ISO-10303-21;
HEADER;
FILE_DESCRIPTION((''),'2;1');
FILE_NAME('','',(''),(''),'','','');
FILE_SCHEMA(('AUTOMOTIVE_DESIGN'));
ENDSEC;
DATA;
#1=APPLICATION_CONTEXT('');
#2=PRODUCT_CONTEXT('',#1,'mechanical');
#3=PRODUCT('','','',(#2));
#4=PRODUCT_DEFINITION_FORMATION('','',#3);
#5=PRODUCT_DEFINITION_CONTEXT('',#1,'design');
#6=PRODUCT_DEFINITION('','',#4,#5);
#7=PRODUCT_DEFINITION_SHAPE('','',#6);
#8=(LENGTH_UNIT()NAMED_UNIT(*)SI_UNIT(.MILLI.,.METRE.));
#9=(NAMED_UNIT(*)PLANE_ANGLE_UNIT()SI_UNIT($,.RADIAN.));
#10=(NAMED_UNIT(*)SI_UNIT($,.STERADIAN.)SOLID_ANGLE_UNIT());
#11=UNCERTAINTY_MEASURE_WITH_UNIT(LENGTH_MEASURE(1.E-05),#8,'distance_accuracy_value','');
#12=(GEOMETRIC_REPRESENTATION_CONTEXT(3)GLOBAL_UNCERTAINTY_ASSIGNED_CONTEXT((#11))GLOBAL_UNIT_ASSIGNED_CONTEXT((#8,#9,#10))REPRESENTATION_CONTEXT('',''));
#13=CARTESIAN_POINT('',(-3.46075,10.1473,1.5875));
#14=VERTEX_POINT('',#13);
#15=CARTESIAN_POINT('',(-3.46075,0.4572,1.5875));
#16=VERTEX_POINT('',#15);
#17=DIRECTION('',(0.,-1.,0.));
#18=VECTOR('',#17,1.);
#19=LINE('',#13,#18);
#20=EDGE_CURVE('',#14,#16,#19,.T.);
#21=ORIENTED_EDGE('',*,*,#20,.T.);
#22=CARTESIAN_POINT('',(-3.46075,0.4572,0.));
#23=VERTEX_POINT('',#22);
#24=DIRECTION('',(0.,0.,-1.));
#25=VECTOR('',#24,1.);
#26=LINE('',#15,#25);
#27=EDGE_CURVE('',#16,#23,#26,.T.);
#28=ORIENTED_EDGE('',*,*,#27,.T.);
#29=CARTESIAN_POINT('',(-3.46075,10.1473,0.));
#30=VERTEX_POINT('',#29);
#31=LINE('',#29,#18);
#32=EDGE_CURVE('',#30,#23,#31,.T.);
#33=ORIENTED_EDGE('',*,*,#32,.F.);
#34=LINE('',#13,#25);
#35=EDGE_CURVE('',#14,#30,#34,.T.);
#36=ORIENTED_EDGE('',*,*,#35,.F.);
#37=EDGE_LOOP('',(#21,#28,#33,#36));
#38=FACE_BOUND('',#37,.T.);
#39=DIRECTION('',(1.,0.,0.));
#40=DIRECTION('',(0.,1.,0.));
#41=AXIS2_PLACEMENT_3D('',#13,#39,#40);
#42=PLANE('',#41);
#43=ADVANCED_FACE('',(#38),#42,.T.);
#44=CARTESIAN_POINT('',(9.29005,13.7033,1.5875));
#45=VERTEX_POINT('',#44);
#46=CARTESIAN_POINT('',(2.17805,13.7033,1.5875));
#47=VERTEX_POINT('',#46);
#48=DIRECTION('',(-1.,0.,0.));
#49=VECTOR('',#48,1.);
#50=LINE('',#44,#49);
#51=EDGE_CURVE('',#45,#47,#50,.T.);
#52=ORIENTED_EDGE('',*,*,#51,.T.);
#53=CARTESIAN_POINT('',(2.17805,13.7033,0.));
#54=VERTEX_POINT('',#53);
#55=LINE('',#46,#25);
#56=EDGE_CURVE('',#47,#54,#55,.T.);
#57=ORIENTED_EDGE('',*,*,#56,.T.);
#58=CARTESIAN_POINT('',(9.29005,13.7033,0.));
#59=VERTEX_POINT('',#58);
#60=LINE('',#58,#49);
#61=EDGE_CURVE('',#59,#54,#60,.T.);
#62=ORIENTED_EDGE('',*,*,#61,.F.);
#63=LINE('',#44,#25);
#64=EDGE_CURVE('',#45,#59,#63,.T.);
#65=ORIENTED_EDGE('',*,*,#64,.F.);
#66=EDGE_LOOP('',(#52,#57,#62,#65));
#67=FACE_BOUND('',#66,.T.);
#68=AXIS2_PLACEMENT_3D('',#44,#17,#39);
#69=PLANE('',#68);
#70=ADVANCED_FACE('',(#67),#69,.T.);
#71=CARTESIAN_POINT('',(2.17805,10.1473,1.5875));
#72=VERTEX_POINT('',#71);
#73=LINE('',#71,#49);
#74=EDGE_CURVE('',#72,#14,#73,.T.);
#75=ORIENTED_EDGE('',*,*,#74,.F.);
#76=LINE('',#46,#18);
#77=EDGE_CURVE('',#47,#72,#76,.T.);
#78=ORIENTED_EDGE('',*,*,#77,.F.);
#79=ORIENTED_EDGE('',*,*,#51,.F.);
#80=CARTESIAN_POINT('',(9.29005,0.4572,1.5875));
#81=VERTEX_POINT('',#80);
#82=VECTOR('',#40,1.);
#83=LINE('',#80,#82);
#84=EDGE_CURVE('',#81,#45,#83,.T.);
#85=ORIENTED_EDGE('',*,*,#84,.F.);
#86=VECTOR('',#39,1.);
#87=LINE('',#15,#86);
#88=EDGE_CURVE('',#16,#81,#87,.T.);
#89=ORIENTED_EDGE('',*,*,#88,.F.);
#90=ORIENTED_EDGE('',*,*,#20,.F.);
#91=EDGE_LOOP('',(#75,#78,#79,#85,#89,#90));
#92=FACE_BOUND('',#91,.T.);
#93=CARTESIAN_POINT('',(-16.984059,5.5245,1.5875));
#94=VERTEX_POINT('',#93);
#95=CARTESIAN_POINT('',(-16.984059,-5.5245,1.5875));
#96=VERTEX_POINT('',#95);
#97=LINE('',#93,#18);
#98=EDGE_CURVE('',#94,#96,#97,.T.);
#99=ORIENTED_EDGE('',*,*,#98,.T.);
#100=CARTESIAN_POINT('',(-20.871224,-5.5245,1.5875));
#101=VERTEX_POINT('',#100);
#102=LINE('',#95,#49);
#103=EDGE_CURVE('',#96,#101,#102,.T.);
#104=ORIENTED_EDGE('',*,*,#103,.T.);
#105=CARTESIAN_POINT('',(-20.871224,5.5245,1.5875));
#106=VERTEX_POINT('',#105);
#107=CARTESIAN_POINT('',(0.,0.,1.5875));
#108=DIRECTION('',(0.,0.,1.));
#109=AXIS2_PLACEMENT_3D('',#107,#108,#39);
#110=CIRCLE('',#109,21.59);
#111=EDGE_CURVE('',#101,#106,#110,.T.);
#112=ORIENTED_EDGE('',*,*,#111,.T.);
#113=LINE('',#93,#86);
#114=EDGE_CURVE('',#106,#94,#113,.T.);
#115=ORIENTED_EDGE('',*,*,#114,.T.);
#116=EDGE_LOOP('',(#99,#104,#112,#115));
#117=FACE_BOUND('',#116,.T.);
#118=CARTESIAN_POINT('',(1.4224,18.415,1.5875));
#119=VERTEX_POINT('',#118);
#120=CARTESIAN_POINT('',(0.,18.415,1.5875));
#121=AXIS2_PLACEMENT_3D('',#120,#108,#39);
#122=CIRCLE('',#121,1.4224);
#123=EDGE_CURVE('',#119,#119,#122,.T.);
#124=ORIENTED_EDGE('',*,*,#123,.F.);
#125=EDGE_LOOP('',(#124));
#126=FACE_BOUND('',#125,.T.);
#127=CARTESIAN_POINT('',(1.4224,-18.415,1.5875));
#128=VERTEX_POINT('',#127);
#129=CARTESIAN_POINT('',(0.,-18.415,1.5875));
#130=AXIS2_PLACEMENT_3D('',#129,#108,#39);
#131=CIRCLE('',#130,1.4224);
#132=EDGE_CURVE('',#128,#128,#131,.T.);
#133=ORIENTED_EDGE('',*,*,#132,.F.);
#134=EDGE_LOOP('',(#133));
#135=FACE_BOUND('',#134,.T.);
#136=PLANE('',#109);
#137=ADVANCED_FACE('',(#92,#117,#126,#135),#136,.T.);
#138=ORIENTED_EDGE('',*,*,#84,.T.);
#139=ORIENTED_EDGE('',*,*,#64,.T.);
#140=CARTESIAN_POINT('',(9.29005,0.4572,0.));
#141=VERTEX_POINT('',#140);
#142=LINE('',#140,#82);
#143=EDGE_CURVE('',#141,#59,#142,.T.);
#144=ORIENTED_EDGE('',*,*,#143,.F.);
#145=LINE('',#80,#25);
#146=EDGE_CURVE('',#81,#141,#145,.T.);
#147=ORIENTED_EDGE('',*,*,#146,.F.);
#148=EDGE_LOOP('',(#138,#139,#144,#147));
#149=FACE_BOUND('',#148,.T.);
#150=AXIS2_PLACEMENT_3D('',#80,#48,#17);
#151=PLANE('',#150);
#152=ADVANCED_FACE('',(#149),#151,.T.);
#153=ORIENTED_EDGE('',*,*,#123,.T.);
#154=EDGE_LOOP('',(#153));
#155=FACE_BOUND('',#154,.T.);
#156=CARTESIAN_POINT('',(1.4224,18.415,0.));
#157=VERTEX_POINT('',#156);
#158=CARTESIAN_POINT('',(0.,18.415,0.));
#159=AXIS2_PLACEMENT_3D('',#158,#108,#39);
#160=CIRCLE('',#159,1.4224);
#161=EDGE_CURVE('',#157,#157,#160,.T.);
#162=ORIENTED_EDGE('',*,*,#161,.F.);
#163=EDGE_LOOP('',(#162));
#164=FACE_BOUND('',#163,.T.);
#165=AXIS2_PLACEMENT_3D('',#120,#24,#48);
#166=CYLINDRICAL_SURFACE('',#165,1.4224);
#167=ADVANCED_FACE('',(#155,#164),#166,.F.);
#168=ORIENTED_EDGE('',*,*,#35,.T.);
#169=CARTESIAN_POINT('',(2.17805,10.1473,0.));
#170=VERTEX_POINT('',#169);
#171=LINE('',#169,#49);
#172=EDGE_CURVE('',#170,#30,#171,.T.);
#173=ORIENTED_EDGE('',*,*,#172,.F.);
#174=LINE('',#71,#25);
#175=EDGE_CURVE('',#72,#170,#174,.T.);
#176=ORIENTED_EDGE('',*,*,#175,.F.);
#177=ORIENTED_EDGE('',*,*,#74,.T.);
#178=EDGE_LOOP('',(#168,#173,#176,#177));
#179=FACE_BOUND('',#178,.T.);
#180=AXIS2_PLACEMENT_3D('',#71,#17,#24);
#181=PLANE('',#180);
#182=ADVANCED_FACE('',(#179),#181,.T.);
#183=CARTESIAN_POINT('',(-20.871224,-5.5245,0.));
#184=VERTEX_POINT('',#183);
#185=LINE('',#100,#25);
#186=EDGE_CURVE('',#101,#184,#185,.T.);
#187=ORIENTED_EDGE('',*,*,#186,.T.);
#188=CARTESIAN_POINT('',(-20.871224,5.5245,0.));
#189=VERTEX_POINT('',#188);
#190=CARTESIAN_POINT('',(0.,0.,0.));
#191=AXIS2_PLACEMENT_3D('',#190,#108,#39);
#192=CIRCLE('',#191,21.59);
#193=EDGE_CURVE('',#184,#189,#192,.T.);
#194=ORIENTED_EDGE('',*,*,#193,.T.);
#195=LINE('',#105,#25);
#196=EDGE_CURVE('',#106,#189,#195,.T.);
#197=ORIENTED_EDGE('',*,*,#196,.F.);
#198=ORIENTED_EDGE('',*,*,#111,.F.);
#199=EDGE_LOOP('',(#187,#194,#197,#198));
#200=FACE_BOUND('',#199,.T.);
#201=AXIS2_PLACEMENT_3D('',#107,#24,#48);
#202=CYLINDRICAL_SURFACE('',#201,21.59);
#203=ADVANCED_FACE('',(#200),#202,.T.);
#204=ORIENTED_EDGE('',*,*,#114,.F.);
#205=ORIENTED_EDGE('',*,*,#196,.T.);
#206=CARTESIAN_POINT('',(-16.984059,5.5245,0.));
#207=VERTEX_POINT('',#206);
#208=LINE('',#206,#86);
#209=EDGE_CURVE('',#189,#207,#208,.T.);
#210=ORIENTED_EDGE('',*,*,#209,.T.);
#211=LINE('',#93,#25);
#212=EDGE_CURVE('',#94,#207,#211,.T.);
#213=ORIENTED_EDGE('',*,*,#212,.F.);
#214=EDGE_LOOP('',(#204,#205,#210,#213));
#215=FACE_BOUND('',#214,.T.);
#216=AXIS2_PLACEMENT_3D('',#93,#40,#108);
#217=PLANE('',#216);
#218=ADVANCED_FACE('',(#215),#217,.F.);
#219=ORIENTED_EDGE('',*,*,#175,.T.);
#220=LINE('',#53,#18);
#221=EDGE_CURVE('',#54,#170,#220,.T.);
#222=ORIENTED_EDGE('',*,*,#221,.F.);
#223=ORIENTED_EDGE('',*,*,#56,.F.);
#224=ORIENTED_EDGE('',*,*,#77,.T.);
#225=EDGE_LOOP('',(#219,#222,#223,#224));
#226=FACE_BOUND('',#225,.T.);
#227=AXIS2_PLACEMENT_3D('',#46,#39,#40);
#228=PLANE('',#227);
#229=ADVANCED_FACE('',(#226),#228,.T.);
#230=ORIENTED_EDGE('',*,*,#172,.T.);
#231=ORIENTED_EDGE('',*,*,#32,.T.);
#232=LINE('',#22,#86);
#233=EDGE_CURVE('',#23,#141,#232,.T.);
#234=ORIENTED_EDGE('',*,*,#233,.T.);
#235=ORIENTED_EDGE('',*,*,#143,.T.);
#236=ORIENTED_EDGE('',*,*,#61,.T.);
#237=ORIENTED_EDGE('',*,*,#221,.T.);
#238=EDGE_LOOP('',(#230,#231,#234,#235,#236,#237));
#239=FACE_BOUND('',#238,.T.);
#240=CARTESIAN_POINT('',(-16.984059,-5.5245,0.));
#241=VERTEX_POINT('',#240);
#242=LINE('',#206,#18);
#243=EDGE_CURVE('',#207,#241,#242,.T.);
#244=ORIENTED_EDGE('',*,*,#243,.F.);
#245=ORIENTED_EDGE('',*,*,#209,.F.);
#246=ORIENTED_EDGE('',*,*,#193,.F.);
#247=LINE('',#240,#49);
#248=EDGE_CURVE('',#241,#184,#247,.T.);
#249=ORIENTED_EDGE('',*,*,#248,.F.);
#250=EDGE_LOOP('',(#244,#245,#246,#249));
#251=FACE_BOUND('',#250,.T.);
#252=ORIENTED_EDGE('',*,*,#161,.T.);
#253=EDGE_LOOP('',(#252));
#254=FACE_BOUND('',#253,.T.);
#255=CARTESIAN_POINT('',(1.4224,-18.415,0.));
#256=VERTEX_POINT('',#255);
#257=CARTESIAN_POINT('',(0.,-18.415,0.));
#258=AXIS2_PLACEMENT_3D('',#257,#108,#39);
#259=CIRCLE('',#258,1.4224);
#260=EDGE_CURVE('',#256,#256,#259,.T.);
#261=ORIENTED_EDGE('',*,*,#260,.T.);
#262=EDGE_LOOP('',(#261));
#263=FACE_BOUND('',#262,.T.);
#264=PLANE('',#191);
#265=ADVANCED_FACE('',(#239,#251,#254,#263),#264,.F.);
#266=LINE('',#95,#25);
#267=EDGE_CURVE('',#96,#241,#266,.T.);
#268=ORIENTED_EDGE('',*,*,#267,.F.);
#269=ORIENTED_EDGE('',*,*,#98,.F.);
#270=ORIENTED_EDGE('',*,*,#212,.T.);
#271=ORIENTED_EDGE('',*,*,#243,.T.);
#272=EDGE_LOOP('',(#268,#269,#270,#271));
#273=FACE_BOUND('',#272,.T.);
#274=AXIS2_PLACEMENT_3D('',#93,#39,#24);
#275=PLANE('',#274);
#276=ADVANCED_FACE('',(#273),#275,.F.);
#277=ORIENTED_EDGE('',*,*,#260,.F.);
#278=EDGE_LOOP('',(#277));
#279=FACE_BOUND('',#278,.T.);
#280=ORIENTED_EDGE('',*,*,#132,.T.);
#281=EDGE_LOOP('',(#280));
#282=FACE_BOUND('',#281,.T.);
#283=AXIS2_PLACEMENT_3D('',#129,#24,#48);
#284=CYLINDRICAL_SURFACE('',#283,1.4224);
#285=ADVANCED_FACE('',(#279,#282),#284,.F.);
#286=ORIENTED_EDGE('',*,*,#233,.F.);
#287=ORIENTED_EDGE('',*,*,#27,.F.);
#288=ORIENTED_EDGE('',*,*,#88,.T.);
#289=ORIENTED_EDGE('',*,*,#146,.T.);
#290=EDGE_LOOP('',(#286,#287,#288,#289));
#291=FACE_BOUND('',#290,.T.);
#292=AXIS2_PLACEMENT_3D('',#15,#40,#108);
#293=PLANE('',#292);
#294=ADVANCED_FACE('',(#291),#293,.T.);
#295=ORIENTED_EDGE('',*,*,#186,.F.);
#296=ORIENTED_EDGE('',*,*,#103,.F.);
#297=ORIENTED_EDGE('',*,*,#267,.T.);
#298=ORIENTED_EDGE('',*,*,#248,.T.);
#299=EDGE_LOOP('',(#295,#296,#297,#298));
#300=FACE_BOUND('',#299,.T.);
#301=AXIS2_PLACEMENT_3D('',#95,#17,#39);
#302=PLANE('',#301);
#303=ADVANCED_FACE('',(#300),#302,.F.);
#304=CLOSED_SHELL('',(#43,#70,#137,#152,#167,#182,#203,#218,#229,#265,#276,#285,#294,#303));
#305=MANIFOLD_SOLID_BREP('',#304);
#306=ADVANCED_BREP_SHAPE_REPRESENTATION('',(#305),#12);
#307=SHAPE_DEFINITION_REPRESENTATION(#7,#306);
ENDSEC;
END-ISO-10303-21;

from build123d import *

# Parameters (mm, degrees)
SKETCH1_R           = 1.4224
BOSS_EXTRUDE1_DEPTH = 1.5875


with BuildPart() as part:
    # Sketch1 → Boss-Extrude1 (new body)
    with BuildSketch(Plane.XY):
        with BuildLine():
            Line((-16.984058744, 5.5245), (-20.871224203, 5.5245))
            ThreePointArc((-20.871224203, 5.5245), (21.59, 0), (-20.871224203, -5.5245))
            Line((-20.871224203, -5.5245), (-16.984058744, -5.5245))
            Line((-16.984058744, -5.5245), (-16.984058744, 5.5245))
        make_face()
        with Locations((0, 18.415)):
            Circle(SKETCH1_R, mode=Mode.SUBTRACT)
        with Locations((0, -18.415)):
            Circle(SKETCH1_R, mode=Mode.SUBTRACT)
        Polygon((9.29005, 13.7033), (2.17805, 13.7033), (2.17805, 10.1473), (-3.46075, 10.1473), (-3.46075, 0.4572), (9.29005, 0.4572), align=None, mode=Mode.SUBTRACT)
    extrude(amount=BOSS_EXTRUDE1_DEPTH)


solid = part.part
